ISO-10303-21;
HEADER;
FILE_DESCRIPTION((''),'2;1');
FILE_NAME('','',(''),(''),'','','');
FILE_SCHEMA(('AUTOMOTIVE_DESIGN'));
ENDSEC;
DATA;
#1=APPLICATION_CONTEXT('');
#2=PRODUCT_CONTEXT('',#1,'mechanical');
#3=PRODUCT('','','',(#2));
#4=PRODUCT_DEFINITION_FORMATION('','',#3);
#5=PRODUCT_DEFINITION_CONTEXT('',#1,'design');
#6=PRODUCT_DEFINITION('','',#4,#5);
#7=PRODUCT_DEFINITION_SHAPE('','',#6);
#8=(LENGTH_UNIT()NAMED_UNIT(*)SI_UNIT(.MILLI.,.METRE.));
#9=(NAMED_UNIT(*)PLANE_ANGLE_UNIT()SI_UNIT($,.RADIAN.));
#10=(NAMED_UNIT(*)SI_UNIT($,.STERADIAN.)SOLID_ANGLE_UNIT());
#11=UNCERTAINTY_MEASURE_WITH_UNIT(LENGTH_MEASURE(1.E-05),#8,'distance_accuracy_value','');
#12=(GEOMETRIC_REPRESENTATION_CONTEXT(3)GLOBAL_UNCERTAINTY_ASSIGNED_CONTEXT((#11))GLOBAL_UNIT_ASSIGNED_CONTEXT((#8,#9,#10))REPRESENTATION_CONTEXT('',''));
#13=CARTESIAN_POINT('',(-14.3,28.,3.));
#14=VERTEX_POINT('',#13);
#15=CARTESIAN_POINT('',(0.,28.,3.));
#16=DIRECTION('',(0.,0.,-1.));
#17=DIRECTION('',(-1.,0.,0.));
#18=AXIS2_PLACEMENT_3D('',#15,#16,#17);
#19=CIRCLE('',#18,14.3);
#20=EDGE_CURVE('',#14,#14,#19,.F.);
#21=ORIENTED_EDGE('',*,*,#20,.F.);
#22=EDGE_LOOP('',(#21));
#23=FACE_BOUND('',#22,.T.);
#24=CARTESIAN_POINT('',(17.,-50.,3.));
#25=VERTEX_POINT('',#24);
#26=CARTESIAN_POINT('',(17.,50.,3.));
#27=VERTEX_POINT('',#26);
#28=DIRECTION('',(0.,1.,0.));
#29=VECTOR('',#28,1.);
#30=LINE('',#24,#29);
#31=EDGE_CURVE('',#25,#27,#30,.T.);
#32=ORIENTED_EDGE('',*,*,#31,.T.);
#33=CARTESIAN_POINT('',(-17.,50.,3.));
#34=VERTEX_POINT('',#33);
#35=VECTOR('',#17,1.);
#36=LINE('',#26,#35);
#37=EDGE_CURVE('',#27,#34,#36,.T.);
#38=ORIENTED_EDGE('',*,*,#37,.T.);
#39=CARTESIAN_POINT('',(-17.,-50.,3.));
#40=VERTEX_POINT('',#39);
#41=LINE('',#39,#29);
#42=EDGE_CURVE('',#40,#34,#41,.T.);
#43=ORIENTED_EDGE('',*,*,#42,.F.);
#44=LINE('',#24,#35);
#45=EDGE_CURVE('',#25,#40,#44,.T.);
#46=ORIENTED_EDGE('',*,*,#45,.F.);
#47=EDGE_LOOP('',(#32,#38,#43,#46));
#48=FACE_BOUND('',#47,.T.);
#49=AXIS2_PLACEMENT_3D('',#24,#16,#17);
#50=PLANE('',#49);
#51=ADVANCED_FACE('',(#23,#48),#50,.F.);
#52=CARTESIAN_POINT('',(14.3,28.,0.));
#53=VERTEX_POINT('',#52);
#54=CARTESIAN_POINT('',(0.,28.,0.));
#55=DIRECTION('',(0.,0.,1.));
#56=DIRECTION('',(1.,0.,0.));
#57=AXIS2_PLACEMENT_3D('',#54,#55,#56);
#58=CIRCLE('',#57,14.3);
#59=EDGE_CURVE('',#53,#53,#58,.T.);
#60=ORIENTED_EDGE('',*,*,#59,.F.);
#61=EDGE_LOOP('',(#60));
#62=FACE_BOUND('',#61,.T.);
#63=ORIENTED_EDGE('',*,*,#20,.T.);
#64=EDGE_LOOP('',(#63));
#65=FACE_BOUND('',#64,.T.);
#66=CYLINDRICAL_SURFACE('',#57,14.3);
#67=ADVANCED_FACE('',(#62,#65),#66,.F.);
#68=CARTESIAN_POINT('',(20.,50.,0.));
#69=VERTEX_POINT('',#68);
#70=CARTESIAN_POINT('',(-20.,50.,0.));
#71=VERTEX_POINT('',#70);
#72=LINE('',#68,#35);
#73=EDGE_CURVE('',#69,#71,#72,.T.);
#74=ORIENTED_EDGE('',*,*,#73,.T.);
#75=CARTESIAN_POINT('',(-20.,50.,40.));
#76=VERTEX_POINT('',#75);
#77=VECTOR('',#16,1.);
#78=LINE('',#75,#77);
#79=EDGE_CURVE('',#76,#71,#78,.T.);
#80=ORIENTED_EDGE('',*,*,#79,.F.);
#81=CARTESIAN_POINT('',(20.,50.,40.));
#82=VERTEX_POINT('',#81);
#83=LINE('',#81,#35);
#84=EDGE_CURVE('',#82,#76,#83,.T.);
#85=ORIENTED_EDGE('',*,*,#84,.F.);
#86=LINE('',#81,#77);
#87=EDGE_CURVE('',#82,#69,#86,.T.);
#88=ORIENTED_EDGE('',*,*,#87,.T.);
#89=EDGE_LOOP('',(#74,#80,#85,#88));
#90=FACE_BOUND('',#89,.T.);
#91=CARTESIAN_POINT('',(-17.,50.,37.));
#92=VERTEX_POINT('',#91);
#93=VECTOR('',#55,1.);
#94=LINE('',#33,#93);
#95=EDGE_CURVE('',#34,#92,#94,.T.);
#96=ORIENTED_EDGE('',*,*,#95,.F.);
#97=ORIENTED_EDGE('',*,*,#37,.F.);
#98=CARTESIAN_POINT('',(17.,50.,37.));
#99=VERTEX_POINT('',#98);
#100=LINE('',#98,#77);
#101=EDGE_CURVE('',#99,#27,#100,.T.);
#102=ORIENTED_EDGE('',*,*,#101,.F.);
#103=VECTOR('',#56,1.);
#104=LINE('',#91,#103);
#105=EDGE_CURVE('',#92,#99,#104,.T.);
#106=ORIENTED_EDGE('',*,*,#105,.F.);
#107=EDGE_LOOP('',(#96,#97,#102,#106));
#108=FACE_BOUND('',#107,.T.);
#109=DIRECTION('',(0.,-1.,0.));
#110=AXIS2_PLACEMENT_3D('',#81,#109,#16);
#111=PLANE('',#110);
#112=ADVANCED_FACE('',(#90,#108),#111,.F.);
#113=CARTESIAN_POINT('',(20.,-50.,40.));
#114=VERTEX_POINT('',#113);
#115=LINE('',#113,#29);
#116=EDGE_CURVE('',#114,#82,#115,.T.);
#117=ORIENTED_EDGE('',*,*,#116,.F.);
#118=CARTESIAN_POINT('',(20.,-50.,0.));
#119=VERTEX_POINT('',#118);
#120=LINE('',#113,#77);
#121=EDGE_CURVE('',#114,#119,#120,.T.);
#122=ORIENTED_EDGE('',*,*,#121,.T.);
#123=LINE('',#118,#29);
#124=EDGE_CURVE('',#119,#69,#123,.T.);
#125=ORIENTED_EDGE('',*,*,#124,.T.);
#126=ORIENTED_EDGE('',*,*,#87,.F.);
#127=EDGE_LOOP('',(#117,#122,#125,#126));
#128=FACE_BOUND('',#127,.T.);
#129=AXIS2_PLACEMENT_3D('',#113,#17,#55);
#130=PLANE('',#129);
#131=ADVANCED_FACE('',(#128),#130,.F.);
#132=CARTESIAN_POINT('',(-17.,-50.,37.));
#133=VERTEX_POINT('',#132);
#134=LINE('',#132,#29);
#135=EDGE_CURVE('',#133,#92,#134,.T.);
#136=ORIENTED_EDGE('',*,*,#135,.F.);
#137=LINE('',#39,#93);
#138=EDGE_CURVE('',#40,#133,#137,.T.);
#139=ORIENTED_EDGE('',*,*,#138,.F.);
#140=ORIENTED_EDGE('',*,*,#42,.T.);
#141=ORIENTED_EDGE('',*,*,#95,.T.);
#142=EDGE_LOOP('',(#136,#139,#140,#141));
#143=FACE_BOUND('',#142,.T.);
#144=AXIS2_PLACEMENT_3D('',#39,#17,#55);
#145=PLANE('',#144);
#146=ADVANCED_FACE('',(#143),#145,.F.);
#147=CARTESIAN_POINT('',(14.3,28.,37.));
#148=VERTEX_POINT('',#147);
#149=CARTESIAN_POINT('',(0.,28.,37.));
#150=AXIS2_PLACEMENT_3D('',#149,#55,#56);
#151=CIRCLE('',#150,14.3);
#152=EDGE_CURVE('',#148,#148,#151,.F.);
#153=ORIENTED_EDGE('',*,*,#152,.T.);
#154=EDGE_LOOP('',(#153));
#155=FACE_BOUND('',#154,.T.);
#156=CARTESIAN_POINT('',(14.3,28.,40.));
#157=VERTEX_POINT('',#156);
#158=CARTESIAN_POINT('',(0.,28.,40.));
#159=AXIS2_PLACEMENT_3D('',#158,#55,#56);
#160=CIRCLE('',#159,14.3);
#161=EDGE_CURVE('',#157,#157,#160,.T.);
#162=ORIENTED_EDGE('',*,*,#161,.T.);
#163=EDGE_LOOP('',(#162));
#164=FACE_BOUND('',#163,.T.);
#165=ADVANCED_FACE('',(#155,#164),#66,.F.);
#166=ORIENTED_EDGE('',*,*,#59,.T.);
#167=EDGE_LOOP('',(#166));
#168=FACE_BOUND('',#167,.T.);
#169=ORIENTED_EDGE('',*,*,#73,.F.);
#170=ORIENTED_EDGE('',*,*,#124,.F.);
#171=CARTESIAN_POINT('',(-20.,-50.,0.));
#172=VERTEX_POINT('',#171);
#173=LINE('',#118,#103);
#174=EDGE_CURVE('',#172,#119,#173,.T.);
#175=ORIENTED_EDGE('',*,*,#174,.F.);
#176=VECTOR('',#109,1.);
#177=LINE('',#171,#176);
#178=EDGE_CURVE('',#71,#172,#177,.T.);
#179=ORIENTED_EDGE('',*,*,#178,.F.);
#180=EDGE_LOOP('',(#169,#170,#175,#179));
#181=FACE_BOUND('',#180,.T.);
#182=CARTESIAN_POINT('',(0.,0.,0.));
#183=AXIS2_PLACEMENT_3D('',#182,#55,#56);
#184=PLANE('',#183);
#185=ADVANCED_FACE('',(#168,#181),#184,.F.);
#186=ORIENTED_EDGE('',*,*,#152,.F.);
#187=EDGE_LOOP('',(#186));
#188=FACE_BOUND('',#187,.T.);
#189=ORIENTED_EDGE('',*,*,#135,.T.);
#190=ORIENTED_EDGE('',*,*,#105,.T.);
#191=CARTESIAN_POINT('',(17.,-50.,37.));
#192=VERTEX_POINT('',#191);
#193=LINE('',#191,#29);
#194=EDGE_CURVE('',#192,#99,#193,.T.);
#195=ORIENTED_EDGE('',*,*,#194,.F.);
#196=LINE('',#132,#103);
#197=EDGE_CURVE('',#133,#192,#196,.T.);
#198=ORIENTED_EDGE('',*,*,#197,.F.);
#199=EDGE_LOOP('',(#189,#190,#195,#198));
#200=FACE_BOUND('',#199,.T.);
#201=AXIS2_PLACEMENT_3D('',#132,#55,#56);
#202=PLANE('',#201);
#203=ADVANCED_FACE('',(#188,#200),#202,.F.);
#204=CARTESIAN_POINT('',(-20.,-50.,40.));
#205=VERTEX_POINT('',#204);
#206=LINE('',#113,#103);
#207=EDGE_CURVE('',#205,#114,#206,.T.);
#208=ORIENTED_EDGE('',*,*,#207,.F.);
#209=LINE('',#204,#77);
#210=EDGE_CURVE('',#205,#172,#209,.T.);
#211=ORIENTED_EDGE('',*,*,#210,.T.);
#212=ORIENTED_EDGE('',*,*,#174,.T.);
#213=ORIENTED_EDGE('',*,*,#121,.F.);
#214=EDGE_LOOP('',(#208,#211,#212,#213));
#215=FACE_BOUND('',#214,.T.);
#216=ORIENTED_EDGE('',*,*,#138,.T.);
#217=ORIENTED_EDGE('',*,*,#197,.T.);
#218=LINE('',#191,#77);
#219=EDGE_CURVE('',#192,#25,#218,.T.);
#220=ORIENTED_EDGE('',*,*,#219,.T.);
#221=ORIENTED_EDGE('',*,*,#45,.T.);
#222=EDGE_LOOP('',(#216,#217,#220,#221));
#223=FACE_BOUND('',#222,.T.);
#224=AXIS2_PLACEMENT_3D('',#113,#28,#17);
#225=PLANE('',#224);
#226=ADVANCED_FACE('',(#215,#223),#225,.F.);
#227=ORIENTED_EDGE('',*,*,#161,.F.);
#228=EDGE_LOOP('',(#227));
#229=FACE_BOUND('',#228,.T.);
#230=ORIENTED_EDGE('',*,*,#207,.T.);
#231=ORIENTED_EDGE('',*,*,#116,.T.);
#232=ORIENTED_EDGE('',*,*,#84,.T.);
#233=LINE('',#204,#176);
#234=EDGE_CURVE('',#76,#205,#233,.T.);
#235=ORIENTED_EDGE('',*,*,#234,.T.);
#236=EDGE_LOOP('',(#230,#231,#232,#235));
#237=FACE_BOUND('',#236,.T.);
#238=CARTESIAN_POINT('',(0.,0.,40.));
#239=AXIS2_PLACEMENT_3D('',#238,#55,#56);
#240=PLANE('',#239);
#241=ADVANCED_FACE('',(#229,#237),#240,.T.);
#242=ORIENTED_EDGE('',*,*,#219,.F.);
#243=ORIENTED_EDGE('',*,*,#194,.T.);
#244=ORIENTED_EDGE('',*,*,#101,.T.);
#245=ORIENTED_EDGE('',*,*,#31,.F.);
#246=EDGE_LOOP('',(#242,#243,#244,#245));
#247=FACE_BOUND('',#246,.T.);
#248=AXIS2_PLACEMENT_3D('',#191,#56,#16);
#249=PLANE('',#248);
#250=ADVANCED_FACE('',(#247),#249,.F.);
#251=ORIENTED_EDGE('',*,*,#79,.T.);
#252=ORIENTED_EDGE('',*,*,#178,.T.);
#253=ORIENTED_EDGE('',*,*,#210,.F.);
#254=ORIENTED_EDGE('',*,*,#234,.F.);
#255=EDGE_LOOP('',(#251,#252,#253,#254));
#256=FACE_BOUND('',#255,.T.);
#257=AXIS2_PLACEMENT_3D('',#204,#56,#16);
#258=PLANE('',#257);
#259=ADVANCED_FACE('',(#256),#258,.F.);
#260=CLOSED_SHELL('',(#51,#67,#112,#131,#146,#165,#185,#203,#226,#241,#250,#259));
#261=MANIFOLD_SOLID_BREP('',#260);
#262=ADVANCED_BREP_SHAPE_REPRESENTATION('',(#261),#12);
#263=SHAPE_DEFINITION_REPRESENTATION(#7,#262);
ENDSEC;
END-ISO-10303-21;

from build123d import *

# Parameters (mm, degrees)
SKETCH1_W           = 40
SKETCH1_H           = 100
BOSS_EXTRUDE2_DEPTH = 40
SKETCH2_R           = 14.3
CUT_EXTRUDE1_DEPTH  = 41
SKETCH3_W           = 34
SKETCH3_H           = 34
CUT_EXTRUDE2_DEPTH  = 101


with BuildPart() as part:
    # Sketch1 → Boss-Extrude2 (new body)
    with BuildSketch(Plane.XY):
        Rectangle(SKETCH1_W, SKETCH1_H)
    extrude(amount=BOSS_EXTRUDE2_DEPTH)

    # Sketch2 → Cut-Extrude1 (cut, through all)
    with BuildSketch(Plane.XY.offset(40)):
        with Locations((0, 28)):
            Circle(SKETCH2_R)
    extrude(amount=-CUT_EXTRUDE1_DEPTH, mode=Mode.SUBTRACT)

    # Sketch3 → Cut-Extrude2 (cut, through all)
    with BuildSketch(Plane(origin=(0, 50, 0), x_dir=(1, 0, 0), z_dir=(0, 1, 0))):
        with Locations((0, -20)):
            Rectangle(SKETCH3_W, SKETCH3_H)
    extrude(amount=-CUT_EXTRUDE2_DEPTH, mode=Mode.SUBTRACT)


solid = part.part
